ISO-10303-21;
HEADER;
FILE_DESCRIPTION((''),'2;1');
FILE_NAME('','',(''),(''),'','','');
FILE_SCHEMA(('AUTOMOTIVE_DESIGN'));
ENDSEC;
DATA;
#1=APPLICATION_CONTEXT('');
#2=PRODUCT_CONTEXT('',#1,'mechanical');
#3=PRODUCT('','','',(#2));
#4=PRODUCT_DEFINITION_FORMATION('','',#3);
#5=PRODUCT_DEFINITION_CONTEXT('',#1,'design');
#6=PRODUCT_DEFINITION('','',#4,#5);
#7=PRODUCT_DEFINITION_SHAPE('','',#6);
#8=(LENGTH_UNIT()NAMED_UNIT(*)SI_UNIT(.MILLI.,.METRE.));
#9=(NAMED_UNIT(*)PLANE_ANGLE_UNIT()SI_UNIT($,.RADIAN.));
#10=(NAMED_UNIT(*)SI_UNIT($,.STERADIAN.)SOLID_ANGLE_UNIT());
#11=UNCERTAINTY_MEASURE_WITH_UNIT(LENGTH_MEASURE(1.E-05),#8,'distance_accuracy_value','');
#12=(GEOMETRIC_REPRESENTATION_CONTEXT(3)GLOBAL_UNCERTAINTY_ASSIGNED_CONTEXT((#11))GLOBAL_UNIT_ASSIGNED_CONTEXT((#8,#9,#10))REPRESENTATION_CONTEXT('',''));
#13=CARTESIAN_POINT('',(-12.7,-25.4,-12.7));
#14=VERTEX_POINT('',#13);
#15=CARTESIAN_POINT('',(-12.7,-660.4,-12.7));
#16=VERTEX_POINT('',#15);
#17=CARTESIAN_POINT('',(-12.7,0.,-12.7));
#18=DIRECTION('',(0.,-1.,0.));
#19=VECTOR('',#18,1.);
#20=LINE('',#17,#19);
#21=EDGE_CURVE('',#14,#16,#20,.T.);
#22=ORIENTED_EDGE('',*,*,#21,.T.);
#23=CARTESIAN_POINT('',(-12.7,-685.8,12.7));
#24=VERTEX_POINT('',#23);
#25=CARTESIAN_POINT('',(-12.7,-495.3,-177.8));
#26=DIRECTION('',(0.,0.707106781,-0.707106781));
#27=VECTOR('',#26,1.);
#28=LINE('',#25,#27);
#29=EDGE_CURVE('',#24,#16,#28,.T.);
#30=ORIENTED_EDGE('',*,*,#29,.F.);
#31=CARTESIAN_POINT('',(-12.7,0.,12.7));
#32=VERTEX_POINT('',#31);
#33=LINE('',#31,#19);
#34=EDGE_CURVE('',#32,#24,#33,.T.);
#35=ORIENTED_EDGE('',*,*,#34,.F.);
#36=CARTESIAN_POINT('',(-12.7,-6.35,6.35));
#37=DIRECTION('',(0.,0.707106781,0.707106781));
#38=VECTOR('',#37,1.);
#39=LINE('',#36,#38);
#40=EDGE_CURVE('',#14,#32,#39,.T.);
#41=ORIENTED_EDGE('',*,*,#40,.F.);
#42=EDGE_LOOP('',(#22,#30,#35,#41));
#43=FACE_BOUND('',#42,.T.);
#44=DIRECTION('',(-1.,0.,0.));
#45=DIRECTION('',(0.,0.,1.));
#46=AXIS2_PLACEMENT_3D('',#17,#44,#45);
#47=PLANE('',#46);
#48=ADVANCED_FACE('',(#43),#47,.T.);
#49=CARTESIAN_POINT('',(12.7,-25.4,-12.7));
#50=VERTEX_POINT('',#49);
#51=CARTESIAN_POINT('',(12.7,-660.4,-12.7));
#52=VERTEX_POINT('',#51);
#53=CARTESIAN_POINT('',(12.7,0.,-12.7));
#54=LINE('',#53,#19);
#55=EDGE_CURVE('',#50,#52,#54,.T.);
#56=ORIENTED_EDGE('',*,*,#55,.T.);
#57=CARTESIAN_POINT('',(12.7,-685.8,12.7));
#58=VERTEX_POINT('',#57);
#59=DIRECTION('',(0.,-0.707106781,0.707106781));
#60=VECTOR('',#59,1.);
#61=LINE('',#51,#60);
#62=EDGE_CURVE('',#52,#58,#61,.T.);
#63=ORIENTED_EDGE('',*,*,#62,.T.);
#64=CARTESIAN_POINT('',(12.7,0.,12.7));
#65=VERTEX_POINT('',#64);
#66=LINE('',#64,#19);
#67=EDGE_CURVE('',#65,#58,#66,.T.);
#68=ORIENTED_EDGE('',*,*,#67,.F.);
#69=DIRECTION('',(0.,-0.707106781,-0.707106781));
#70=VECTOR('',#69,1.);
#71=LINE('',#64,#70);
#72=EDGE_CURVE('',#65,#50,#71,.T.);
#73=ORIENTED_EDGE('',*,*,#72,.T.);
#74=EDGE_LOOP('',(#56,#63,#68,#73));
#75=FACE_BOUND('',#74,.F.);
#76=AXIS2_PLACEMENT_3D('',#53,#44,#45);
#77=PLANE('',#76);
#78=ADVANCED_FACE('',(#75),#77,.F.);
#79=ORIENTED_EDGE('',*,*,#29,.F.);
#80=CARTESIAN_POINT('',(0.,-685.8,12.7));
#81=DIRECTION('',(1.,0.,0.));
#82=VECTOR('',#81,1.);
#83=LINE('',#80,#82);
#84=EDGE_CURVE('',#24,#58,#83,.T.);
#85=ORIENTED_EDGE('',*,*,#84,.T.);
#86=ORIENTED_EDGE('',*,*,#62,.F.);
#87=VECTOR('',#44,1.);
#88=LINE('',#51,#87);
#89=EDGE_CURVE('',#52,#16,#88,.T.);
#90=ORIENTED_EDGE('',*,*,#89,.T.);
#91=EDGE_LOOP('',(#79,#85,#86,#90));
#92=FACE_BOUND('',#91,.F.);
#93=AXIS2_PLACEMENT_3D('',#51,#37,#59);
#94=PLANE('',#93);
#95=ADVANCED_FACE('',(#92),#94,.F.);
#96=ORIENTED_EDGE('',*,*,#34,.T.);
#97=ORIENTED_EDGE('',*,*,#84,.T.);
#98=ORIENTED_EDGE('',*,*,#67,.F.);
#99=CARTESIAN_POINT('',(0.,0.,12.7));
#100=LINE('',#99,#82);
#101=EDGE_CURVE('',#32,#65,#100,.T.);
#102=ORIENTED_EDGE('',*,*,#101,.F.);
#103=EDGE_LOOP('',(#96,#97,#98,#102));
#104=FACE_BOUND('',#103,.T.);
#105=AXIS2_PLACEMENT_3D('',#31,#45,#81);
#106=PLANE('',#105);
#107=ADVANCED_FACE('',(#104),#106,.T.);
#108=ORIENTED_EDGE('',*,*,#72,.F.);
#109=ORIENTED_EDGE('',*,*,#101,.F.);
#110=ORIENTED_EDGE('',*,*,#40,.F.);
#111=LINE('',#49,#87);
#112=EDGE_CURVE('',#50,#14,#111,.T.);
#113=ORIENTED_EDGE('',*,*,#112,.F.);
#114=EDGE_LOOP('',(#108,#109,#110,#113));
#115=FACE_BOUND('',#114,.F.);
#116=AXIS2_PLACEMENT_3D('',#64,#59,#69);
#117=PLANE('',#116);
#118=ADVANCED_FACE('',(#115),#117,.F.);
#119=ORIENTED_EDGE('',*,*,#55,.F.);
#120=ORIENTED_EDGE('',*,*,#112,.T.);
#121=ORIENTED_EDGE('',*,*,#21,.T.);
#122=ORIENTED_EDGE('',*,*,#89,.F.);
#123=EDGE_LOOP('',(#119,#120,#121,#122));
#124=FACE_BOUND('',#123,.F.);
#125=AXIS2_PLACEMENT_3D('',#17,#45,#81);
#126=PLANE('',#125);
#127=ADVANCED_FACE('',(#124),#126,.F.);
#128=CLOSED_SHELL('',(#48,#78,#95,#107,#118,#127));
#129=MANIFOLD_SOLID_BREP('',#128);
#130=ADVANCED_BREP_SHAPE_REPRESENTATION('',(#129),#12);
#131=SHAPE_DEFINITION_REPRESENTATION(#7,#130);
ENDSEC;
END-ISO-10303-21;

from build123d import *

# Parameters (mm, degrees)
F0_W     = 25.4
F0_H     = 25.4
F1_DEPTH = 685.8
F3_DEPTH = 25.401


with BuildPart() as f1:
    # F0 (on Front) → F1 (new body)
    with BuildSketch(Plane.XZ):
        Rectangle(F0_W, F0_H)
    extrude(amount=F1_DEPTH)

    # F2 (on face) → F3 (cut, through all)
    with BuildSketch(Plane.YZ.offset(12.7)):
        Polygon((-660.4, -12.7), (-685.8, 12.7), (-685.8, -12.7), align=None)
        Polygon((0, -12.7), (0, 12.7), (-25.4, -12.7), align=None)
    extrude(amount=-F3_DEPTH, mode=Mode.SUBTRACT)


solid = f1.part
